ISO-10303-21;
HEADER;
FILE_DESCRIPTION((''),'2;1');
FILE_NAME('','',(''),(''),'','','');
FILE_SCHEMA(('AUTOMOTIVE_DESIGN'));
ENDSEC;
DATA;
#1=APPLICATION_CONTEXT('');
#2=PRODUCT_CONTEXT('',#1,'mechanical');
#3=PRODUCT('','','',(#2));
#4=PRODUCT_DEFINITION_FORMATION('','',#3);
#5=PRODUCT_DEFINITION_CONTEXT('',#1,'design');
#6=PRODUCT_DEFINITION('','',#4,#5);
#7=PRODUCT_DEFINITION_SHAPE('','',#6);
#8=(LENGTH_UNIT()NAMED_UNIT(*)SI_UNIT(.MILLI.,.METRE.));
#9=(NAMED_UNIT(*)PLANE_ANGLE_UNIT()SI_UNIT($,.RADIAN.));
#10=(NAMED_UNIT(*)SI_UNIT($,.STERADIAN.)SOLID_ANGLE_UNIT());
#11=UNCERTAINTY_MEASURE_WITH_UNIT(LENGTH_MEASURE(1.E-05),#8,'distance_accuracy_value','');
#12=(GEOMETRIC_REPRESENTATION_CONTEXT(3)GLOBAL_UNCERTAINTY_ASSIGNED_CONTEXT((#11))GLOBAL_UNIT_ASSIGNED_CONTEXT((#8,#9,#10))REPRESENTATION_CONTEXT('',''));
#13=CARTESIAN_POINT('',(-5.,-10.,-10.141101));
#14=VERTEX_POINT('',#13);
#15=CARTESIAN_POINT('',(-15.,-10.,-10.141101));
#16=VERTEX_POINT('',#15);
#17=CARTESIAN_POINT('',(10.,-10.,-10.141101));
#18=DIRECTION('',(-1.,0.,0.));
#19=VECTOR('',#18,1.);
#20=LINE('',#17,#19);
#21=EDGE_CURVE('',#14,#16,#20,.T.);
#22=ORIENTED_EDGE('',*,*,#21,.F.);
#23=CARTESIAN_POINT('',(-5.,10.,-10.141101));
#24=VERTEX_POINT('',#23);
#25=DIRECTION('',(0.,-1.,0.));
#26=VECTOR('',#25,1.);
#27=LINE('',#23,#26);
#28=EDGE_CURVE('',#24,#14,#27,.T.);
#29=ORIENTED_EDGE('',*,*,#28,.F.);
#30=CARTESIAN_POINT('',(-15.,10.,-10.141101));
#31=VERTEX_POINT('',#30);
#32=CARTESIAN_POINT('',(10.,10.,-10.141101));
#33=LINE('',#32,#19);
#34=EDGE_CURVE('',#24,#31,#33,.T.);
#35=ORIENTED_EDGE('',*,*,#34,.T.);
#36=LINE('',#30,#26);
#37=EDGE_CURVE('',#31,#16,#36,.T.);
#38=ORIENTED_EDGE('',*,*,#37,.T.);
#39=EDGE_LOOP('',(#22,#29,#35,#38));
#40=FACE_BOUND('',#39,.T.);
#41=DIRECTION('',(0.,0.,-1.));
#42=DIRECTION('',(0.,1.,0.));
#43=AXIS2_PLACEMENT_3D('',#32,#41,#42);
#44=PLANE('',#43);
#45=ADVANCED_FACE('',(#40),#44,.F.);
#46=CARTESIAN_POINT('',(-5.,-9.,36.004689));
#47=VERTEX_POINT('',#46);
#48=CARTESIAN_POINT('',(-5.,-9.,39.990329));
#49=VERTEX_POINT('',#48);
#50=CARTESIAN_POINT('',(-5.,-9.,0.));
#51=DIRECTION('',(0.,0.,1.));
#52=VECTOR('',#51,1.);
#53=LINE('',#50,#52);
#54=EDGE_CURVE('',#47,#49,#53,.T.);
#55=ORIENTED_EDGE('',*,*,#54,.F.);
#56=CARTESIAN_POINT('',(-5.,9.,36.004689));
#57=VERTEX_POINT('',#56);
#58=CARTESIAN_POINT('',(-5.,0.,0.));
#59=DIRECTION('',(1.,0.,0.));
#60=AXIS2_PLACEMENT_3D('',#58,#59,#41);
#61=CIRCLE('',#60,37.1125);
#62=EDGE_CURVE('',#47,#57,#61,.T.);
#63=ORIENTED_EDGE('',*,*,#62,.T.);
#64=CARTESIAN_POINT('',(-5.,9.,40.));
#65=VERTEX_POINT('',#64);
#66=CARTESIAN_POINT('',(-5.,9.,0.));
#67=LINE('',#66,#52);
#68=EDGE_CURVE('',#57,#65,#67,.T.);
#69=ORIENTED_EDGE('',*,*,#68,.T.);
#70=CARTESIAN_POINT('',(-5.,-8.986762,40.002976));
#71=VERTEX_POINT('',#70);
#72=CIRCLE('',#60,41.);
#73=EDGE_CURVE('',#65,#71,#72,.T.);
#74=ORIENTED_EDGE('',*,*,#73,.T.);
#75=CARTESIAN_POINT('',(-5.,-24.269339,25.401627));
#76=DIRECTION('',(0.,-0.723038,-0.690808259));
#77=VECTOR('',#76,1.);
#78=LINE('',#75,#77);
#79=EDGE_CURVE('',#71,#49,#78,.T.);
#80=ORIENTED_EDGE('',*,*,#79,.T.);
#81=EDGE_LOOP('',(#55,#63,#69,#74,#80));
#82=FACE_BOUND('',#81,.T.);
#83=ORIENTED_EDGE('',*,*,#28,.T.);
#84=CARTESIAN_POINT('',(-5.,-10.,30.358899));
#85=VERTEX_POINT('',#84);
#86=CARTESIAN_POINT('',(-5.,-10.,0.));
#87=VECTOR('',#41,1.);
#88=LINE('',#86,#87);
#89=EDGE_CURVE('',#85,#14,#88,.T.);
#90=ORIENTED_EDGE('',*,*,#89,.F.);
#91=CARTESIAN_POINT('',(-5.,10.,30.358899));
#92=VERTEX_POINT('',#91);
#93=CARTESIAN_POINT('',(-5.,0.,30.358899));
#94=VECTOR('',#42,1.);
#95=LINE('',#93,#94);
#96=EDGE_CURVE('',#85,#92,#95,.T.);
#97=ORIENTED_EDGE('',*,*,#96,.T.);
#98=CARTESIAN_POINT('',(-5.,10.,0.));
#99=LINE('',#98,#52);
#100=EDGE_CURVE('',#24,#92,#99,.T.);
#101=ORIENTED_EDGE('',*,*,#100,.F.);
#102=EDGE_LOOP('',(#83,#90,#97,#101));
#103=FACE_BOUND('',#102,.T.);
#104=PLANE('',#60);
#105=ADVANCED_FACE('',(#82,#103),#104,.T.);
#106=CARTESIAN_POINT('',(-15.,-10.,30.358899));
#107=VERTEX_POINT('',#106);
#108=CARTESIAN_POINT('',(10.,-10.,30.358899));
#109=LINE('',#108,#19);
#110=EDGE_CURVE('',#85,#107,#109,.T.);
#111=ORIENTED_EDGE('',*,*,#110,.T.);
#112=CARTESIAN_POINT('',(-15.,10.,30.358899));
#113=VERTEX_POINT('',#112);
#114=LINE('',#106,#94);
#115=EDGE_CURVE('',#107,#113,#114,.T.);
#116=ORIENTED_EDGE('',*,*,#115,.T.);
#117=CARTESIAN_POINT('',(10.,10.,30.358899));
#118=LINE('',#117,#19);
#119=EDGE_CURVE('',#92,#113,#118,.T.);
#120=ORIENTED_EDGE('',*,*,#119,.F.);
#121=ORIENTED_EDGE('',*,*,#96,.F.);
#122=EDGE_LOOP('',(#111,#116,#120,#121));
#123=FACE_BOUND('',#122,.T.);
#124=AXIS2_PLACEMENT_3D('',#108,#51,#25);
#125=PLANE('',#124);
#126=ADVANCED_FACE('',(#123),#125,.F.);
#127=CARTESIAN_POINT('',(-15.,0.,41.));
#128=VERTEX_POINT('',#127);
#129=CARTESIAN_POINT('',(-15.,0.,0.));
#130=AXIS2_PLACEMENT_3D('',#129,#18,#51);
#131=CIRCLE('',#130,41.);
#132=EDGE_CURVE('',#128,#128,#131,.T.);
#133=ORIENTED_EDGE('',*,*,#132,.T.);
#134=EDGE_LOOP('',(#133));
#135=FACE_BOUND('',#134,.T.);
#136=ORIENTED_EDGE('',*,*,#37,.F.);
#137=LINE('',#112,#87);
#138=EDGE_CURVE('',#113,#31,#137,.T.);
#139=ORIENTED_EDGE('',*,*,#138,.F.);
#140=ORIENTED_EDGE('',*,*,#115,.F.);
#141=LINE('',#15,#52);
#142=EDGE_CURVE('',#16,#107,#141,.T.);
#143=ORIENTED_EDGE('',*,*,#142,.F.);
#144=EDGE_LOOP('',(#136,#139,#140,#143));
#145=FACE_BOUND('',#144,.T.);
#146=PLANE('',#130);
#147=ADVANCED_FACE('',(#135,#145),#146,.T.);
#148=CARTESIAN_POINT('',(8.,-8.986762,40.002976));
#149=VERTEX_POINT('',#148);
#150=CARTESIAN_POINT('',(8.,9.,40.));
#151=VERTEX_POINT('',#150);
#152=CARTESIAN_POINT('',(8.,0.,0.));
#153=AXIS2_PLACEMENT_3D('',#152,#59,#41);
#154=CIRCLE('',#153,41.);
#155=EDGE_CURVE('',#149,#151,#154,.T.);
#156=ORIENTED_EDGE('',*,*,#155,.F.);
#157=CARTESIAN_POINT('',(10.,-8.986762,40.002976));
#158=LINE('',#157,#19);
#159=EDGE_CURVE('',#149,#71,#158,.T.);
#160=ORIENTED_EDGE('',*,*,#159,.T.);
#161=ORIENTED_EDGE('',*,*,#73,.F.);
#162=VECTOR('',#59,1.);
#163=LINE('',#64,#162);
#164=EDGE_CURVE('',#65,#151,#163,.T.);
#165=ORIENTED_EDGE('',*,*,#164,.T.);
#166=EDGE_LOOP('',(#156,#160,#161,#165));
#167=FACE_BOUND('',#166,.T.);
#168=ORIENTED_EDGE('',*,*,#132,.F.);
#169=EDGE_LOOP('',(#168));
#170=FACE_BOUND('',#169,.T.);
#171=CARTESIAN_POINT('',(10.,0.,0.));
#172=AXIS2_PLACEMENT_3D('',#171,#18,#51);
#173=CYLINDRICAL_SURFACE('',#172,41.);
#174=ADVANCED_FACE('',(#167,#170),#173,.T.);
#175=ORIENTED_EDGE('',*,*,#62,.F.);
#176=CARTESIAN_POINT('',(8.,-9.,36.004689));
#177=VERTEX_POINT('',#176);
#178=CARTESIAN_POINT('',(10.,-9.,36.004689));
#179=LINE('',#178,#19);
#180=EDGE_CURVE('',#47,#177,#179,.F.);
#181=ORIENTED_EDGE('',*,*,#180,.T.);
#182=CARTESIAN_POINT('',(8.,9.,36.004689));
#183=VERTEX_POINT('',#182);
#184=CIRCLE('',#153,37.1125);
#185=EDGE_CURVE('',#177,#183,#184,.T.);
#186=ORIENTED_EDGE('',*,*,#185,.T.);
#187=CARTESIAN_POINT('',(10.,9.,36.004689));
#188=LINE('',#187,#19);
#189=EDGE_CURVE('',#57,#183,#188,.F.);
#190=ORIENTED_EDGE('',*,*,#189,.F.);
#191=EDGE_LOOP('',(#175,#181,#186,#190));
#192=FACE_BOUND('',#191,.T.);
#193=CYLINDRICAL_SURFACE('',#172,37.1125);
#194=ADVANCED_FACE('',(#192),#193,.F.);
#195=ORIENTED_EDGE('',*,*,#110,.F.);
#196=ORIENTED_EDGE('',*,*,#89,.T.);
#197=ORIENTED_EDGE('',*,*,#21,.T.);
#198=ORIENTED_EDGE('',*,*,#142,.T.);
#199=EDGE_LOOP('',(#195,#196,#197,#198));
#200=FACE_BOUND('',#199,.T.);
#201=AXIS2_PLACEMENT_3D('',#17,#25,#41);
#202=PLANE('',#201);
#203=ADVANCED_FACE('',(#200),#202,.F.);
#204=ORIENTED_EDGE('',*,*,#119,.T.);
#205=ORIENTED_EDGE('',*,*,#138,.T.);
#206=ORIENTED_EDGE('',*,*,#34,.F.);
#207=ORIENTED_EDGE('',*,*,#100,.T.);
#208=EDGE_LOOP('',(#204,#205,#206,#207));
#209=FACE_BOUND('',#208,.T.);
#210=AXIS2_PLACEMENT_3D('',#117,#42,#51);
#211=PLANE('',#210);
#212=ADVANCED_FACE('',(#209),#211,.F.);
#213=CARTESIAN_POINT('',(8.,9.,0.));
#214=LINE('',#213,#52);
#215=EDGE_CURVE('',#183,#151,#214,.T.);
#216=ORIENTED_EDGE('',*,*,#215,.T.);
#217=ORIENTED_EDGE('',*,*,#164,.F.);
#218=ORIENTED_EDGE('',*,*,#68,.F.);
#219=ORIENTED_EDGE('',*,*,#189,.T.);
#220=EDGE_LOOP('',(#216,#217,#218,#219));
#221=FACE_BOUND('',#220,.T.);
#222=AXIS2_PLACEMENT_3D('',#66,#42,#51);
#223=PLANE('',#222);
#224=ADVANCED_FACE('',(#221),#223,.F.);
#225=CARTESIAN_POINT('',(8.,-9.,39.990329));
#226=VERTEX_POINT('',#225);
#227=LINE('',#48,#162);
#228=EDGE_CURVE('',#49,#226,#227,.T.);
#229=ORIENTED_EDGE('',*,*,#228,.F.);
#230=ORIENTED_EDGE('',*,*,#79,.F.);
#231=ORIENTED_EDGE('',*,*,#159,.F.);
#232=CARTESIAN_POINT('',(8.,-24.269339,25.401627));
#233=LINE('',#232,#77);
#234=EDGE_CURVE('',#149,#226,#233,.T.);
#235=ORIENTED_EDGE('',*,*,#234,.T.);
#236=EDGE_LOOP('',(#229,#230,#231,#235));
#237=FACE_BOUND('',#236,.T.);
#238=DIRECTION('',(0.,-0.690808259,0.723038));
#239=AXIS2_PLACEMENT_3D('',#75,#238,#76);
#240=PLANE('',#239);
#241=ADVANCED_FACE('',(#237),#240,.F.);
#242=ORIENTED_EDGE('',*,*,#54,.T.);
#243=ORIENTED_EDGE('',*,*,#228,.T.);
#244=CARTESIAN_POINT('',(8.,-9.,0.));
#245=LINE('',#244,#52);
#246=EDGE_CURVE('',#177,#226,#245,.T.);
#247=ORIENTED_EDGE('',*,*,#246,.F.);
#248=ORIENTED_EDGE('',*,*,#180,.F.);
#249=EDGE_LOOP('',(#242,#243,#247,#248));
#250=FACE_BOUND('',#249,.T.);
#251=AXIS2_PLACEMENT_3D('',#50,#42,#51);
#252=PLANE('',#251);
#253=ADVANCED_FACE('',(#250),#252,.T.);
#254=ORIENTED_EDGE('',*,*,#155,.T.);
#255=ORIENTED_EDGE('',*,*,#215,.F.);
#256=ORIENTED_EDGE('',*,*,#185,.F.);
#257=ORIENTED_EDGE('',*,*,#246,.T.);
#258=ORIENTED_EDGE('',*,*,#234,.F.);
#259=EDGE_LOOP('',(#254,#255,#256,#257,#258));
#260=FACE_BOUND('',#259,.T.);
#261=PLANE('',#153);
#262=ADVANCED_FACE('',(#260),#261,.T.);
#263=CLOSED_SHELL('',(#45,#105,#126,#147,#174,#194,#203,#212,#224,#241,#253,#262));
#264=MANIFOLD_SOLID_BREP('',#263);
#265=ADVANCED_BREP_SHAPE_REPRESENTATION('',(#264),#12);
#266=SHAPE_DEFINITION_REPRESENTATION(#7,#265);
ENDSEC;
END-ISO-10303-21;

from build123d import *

# Parameters (mm, degrees)
CROQUIS1_R              = 41
CROQUIS1_R_2            = 37.1125
SALIENTE_EXTRUIR1_DEPTH = 10
CROQUIS2_R              = 41
SALIENTE_EXTRUIR2_DEPTH = 10
CROQUIS3_R              = 29.25
CROQUIS3_R_2            = 23.25
CORTAR_EXTRUIR3_DEPTH   = 5
CROQUIS6_R              = 41
SALIENTE_EXTRUIR4_DEPTH = 5
CROQUIS8_R              = 41
CROQUIS8_R_2            = 34.6125
SALIENTE_EXTRUIR9_DEPTH = 2
CROQUIS10_W             = 40.5
CROQUIS10_H             = 20
CORTAR_EXTRUIR5_DEPTH   = 25
CROQUIS11_R             = 41
CROQUIS11_R_2           = 34.6125
CORTAR_EXTRUIR7_DEPTH   = 2
CROQUIS16_R             = 37.1125
CROQUIS16_R_2           = 29.25
CROQUIS16_R_3           = 23.25
CROQUIS16_R_4           = 0.131738941
CORTAR_EXTRUIR8_DEPTH   = 5
CORTAR_EXTRUIR11_DEPTH  = 13


with BuildPart() as part:
    # Croquis1 → Saliente-Extruir1 (new body)
    with BuildSketch(Plane(origin=(0, 0, 0), x_dir=(0, 0, -1), z_dir=(1, 0, 0))):
        Circle(CROQUIS1_R)
        Circle(CROQUIS1_R_2, mode=Mode.SUBTRACT)
    extrude(amount=SALIENTE_EXTRUIR1_DEPTH)

    # Croquis2 → Saliente-Extruir2 (add)
    with BuildSketch(Plane.ZY):
        Circle(CROQUIS2_R)
    extrude(amount=SALIENTE_EXTRUIR2_DEPTH)

    # Croquis3 → Cortar-Extruir3 (cut)
    with BuildSketch(Plane(origin=(0, 0, 0), x_dir=(0, 0, -1), z_dir=(1, 0, 0))):
        Circle(CROQUIS3_R)
        Circle(CROQUIS3_R_2, mode=Mode.SUBTRACT)
    extrude(amount=-CORTAR_EXTRUIR3_DEPTH, mode=Mode.SUBTRACT)

    # Croquis6 → Saliente-Extruir4 (add)
    with BuildSketch(Plane.ZY.offset(10)):
        Circle(CROQUIS6_R)
    extrude(amount=SALIENTE_EXTRUIR4_DEPTH)

    # Croquis8 → Saliente-Extruir9 (add)
    with BuildSketch(Plane(origin=(10, 0, 0), x_dir=(0, 0, -1), z_dir=(1, 0, 0))):
        Circle(CROQUIS8_R)
        Circle(CROQUIS8_R_2, mode=Mode.SUBTRACT)
    extrude(amount=-SALIENTE_EXTRUIR9_DEPTH)

    # Croquis10 → Cortar-Extruir5 (cut)
    with BuildSketch(Plane.ZY.offset(15)):
        with Locations((10.108898944, 0)):
            Rectangle(CROQUIS10_W, CROQUIS10_H)
    extrude(amount=-CORTAR_EXTRUIR5_DEPTH, mode=Mode.SUBTRACT)

    # Croquis11 → Cortar-Extruir7 (cut)
    with BuildSketch(Plane(origin=(10, 0, 0), x_dir=(0, 0, -1), z_dir=(1, 0, 0))):
        Circle(CROQUIS11_R)
        Circle(CROQUIS11_R_2, mode=Mode.SUBTRACT)
    extrude(amount=-CORTAR_EXTRUIR7_DEPTH, mode=Mode.SUBTRACT)

    # Croquis16 → Cortar-Extruir8 (cut)
    with BuildSketch(Plane(origin=(0, 0, 0), x_dir=(0, 0, -1), z_dir=(1, 0, 0))):
        Circle(CROQUIS16_R)
        Circle(CROQUIS16_R_2, mode=Mode.SUBTRACT)
        Circle(CROQUIS16_R_3)
        with Locations((-25.248825272, -14.504135598)):
            Circle(CROQUIS16_R_4)
    extrude(amount=-CORTAR_EXTRUIR8_DEPTH, mode=Mode.SUBTRACT)

    # Croquis17 → Cortar-Extruir11 (cut)
    with BuildSketch(Plane(origin=(8, 0, 0), x_dir=(0, 0, -1), z_dir=(1, 0, 0))):
        with BuildLine():
            Line((-52.12049427, 3.696100056), (-40.002976192, -8.986762253))
            ThreePointArc((-40.002976192, -8.986762253), (-40.999999439, 0.006784093), (-40, 9))
            Line((-40, 9), (-52.12049427, 3.696100056))
        make_face()
        with BuildLine():
            ThreePointArc((-36.004689365, 9), (-37.1125, 0), (-36.004689365, -9))
            Line((-36.004689365, -9), (-30.358898944, -9))
            Line((-30.358898944, -9), (-30.358898944, 9))
            Line((-30.358898944, 9), (-36.004689365, 9))
        make_face()
        with BuildLine():
            Line((-30.358898944, -9), (-36.004689365, -9))
            ThreePointArc((-36.004689365, -9), (4.533961965, -36.834506175), (37.1125, 0))
            ThreePointArc((37.1125, 0), (4.533961965, 36.834506175), (-36.004689365, 9))
            Line((-36.004689365, 9), (-30.358898944, 9))
            Line((-30.358898944, 9), (-30.358898944, -9))
        make_face()
        with BuildLine():
            Line((-40.002976192, -8.986762253), (-39.990328523, -9))
            Line((-39.990328523, -9), (-36.004689365, -9))
            ThreePointArc((-36.004689365, -9), (-37.1125, 0), (-36.004689365, 9))
            Line((-36.004689365, 9), (-40, 9))
            ThreePointArc((-40, 9), (-40.999999439, 0.006784093), (-40.002976192, -8.986762253))
        make_face()
    extrude(amount=-CORTAR_EXTRUIR11_DEPTH, mode=Mode.SUBTRACT)


solid = part.part
